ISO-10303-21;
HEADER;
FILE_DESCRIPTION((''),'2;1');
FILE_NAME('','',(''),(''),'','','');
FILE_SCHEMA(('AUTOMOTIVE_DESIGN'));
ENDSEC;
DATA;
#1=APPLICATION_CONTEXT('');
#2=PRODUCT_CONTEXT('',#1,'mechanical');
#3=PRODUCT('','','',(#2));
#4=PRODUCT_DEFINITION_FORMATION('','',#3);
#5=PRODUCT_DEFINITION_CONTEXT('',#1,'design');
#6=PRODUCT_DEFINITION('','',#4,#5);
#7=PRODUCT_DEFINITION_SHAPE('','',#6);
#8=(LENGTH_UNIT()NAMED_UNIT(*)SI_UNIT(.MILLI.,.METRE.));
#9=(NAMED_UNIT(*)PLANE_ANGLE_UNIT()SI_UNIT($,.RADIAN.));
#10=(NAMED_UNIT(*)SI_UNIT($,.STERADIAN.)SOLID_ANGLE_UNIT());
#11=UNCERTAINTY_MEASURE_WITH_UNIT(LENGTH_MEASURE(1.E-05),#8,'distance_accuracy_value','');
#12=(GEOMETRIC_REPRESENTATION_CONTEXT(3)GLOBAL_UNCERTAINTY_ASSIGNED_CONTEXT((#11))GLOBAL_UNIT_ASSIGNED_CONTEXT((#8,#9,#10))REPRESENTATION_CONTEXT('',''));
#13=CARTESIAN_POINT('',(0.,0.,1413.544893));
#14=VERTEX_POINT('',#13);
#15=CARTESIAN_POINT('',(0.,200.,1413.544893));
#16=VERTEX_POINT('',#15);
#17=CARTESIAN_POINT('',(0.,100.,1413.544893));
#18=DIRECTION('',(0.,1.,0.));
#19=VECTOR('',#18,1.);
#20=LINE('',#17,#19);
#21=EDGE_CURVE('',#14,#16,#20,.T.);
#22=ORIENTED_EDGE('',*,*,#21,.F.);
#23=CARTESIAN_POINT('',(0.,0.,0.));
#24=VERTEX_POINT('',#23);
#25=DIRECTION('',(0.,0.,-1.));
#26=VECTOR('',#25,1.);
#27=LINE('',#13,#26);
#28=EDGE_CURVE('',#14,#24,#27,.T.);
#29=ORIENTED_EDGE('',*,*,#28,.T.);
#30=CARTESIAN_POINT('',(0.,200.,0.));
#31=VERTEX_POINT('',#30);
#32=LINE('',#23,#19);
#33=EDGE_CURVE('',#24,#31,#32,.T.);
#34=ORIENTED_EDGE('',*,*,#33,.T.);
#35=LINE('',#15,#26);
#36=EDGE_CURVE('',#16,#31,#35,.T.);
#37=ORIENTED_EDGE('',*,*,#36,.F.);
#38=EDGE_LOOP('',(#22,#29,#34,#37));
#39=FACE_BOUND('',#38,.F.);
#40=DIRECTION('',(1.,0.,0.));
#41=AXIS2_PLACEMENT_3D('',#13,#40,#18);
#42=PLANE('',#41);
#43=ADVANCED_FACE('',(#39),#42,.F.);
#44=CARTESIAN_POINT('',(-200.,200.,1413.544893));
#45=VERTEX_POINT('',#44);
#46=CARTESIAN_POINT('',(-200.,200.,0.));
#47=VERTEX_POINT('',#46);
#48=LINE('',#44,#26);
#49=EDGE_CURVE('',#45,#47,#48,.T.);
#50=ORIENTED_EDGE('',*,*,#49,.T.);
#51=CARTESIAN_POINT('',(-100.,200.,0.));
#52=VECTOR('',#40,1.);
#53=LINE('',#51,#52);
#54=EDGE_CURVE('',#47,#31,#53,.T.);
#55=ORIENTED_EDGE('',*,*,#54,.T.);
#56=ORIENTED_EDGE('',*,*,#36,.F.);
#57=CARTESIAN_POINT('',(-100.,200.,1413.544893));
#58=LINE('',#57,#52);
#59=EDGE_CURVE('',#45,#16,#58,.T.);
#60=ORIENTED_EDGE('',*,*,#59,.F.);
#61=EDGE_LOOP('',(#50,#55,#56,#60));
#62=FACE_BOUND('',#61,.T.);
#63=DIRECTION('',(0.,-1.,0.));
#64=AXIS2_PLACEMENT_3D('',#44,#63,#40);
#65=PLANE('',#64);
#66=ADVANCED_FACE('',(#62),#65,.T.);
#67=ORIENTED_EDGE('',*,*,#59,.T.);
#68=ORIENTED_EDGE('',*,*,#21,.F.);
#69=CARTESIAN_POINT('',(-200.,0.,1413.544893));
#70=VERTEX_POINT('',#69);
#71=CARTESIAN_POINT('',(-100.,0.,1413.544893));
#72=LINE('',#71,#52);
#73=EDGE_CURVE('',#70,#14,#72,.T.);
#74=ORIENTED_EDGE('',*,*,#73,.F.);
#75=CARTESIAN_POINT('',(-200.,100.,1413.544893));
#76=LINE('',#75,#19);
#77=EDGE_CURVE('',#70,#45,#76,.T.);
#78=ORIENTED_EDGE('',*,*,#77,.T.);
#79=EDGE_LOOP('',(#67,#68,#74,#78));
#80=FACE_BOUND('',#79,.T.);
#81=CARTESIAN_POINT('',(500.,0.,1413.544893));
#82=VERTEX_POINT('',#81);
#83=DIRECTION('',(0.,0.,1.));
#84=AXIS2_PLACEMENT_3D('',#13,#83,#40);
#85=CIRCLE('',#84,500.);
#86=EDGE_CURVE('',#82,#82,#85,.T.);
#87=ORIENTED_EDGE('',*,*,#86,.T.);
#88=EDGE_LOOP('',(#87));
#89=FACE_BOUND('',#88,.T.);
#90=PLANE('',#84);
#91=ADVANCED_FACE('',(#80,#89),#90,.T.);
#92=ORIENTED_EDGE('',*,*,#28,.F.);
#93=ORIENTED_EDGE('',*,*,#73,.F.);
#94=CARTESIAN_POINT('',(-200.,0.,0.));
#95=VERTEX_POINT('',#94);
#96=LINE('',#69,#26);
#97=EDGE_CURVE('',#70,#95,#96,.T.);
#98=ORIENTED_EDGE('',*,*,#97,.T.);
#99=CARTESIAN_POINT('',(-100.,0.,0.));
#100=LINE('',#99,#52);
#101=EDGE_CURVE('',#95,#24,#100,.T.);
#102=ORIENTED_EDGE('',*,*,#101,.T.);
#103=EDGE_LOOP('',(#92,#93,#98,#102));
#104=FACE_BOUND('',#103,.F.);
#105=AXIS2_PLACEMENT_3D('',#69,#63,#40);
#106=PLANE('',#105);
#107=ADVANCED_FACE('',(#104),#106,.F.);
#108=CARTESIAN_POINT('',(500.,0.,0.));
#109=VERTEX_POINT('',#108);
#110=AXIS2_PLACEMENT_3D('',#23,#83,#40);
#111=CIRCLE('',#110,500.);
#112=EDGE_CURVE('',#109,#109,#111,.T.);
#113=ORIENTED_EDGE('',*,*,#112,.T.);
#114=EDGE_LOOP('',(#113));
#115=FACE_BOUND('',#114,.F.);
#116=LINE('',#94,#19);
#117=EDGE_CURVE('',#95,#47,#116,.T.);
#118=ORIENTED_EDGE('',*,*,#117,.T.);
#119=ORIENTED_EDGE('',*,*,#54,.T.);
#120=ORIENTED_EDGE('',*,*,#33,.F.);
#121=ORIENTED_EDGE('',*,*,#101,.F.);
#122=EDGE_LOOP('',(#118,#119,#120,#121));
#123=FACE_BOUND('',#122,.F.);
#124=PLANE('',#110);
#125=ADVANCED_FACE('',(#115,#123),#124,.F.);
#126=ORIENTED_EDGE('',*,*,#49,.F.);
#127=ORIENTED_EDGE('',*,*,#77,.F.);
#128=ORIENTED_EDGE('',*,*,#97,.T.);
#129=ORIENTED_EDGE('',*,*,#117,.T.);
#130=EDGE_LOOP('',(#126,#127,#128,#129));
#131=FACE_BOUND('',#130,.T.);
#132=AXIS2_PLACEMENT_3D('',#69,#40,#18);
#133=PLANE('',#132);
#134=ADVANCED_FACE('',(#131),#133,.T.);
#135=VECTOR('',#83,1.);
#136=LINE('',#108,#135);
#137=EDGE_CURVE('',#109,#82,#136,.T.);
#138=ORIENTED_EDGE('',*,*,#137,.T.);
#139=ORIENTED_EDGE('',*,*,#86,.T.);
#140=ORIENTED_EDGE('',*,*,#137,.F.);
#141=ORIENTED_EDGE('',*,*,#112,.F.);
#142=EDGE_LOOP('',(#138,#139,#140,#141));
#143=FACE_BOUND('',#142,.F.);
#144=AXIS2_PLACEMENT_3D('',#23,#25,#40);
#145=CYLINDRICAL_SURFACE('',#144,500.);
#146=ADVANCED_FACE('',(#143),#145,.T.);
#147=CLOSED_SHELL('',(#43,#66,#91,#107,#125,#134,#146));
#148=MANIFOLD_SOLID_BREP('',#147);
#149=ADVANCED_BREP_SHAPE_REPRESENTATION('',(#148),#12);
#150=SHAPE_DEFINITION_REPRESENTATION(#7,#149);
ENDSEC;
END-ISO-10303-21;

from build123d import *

# Parameters (mm, degrees)
F0_R     = 500
F1_DEPTH = 1413.544893
F2_W     = 200
F2_H     = 200
F3_DEPTH = 2812.250853


with BuildPart() as f1:
    # F0 (on Top) → F1 (new body)
    with BuildSketch(Plane.XY):
        Circle(F0_R)
    extrude(amount=F1_DEPTH)

    # F2 (on face) → F3 (cut)
    with BuildSketch(Plane.XY.offset(1413.544893)):
        with Locations((-100, 100)):
            Rectangle(F2_W, F2_H)
    extrude(amount=-F3_DEPTH, mode=Mode.SUBTRACT)


solid = f1.part
